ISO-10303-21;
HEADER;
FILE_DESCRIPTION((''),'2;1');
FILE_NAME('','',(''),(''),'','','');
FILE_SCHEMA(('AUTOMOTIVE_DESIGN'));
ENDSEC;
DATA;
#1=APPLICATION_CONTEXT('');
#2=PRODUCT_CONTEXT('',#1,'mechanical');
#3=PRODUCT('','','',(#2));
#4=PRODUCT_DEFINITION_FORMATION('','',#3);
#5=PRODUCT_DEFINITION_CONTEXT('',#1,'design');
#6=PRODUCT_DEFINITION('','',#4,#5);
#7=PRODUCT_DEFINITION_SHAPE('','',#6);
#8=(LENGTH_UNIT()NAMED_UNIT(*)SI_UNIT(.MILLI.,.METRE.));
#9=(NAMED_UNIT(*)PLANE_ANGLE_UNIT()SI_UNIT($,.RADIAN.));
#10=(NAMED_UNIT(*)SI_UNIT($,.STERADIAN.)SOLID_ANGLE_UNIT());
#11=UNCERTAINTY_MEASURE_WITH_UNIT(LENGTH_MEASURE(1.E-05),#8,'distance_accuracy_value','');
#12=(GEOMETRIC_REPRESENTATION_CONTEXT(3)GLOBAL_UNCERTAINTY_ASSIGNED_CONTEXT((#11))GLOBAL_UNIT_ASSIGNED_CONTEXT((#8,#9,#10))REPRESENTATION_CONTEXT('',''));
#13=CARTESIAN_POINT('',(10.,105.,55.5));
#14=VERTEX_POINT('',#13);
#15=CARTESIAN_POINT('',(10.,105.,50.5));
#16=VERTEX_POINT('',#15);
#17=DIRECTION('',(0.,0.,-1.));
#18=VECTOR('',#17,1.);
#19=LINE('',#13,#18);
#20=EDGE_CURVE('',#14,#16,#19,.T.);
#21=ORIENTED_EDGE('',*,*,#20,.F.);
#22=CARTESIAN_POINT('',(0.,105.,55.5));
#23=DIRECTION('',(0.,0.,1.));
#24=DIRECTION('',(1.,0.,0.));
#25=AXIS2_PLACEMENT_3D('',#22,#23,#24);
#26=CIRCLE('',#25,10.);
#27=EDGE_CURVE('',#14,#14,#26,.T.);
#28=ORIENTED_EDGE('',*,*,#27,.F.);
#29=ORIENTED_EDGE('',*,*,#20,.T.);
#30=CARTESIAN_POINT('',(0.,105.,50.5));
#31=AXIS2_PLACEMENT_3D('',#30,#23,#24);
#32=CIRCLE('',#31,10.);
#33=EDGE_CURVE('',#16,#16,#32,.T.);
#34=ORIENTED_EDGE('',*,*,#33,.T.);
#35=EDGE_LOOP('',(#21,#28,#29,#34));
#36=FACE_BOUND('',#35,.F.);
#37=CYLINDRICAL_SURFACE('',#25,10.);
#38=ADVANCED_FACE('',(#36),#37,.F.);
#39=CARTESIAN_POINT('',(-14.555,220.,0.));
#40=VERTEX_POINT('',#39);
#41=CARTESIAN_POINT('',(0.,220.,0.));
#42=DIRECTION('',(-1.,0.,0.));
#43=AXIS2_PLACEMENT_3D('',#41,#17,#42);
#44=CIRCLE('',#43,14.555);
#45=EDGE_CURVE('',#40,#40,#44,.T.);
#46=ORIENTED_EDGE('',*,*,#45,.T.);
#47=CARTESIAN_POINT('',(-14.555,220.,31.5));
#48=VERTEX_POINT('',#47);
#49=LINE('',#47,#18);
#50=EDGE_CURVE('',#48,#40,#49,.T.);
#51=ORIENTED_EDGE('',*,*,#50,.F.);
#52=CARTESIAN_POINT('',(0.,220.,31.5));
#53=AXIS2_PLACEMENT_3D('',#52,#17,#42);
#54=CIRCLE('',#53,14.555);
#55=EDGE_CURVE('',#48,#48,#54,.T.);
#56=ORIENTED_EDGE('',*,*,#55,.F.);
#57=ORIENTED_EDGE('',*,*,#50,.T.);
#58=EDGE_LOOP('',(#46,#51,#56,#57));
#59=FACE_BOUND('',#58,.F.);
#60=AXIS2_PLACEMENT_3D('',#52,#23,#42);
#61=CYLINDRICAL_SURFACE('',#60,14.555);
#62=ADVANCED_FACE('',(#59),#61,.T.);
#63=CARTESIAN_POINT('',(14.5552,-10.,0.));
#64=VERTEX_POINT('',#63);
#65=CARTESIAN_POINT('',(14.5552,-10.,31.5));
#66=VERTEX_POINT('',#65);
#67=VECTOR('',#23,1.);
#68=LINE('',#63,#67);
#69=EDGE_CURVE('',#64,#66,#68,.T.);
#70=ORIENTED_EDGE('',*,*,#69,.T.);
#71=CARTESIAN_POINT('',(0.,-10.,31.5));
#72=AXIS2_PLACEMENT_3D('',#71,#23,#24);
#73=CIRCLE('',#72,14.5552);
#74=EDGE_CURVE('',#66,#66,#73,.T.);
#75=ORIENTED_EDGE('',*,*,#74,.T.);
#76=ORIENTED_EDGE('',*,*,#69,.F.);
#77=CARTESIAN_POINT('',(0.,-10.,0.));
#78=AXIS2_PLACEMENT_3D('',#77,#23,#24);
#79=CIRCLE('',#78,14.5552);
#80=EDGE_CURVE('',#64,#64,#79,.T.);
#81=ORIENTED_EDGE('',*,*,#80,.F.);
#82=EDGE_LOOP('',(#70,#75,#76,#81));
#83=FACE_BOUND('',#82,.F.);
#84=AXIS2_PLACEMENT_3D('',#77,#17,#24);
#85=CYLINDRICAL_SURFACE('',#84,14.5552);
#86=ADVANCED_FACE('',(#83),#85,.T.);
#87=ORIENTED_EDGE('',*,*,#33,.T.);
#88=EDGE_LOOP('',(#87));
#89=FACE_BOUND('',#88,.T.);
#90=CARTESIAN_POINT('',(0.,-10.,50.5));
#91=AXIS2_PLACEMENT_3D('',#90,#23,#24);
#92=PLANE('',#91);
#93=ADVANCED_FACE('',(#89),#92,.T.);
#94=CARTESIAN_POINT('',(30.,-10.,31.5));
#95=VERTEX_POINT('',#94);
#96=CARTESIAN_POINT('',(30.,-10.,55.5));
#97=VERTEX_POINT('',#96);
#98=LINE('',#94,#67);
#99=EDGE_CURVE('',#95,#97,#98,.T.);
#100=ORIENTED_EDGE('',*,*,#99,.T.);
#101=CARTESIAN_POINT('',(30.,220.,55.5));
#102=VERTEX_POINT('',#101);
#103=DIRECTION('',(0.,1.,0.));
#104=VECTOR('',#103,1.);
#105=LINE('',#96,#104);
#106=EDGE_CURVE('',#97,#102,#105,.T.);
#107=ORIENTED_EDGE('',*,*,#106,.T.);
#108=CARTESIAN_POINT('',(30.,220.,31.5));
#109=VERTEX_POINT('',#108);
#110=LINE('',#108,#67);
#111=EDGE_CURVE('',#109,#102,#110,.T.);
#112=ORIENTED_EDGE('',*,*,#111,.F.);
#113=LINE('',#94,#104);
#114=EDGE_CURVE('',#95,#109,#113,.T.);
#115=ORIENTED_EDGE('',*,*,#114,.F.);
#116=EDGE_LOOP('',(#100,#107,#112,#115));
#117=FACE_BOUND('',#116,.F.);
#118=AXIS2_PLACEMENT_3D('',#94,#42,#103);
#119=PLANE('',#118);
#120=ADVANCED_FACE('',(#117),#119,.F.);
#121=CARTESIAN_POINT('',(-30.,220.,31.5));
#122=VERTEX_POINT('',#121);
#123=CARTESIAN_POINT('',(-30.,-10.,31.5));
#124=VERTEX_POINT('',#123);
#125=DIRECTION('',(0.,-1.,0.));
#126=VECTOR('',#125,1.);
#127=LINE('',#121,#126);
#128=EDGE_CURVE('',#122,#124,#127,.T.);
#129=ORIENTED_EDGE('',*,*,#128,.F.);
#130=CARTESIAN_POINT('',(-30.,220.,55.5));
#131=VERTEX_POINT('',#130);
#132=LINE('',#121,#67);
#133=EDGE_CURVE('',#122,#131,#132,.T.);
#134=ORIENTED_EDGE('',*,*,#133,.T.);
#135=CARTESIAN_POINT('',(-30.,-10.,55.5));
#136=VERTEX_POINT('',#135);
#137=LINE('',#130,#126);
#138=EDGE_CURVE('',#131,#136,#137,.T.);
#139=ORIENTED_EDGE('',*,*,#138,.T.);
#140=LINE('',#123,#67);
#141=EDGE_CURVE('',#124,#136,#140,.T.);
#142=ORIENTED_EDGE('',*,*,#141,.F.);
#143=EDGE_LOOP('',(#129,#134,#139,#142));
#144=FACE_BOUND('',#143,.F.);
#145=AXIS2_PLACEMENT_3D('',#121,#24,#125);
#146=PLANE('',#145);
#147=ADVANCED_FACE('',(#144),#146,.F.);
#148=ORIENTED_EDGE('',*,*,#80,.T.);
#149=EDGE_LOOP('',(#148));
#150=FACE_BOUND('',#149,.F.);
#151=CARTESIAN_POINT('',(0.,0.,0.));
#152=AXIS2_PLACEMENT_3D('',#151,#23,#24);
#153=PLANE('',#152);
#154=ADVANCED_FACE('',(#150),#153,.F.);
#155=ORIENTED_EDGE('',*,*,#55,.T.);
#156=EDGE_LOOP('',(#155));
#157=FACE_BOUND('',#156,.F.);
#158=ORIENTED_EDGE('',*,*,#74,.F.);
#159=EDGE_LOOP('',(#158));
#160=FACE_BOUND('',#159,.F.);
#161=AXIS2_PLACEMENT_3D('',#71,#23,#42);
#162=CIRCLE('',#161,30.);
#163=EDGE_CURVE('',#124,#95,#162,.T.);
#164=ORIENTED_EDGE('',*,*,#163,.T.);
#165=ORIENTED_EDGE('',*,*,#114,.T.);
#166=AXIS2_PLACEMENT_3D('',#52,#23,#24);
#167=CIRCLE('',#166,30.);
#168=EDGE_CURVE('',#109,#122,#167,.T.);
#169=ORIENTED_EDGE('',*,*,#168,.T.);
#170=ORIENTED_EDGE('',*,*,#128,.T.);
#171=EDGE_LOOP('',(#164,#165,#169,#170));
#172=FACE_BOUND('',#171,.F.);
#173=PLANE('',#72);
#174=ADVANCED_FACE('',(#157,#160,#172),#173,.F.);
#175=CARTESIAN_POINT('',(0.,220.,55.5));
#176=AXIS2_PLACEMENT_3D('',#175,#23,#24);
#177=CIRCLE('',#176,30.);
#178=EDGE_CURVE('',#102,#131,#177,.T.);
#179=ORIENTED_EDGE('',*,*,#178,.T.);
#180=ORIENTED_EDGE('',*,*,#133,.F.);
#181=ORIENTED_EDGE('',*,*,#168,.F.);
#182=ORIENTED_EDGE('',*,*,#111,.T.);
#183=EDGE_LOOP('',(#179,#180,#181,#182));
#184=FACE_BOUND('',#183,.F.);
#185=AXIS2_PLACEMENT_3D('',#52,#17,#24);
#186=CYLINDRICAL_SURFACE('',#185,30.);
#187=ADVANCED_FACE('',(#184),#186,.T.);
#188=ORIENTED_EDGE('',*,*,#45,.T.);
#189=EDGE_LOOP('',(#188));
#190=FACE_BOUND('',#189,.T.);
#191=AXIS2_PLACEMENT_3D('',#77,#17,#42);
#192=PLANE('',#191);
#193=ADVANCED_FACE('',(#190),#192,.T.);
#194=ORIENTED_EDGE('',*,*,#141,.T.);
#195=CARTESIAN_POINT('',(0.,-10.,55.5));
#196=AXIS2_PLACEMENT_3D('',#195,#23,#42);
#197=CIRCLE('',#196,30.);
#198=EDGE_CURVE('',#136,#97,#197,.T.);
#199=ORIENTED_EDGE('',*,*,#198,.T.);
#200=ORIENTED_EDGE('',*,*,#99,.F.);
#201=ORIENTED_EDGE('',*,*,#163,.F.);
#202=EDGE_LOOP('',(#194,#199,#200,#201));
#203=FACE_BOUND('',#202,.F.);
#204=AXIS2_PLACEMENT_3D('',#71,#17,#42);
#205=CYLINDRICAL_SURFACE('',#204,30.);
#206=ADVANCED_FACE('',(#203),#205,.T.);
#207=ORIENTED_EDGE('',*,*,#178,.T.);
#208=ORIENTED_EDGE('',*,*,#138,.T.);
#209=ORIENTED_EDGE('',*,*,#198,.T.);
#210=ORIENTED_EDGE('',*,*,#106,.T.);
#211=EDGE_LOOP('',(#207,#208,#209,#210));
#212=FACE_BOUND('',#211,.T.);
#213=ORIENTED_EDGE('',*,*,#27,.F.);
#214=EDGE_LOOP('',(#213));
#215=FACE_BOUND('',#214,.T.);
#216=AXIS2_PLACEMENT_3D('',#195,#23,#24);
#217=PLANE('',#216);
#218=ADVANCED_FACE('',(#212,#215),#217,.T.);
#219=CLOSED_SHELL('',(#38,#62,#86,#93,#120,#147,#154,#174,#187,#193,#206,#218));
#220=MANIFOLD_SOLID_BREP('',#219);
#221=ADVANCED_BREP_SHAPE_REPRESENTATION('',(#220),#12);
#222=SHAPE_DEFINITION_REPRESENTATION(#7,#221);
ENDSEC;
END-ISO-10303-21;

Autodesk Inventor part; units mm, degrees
ref_plane "YZ Plane" through (0, 0, 0) normal (1, 0, 0) x (0, 1, 0)
ref_plane "XZ Plane" through (0, 0, 0) normal (0, 1, 0) x (-1, 0, 0)
ref_plane "XY Plane" through (0, 0, 0) normal (0, 0, 1) x (1, 0, 0)
sketch "Эскиз1" plane through (0, 0, 0) normal (0, 0, 1) x (1, 0, 0)
  circle A0 centre (0, -10) radius 9 projected
  circle A1 centre (0, -10) radius 14.5552
  point P0 (0, 0)
extrude "Выдавливание1" add sketch "Эскиз1" along normal blind 31.5 contours A0 | A1
sketch "Эскиз2" plane through (0, -10, 31.5) normal (0, 0, 1) x (1, 0, 0)
  line L0 (0, 0) -> (0, 230) construction
  line L1 (30, 0) -> (30, 230)
  line L2 (-30, 230) -> (-30, 0)
  arc A0 (-30, 0) -> (30, 0) centre (0, 0) ccw
  arc A1 (30, 230) -> (-30, 230) centre (0, 230) ccw
  circle A2 centre (0, 0) radius 14.5552 projected
  point P0 (0, 10)
  point P1 (0, 115)
  dimension "d4" = 230
  dimension "d5" = 30
extrude "Выдавливание2" add sketch "Эскиз2" along normal blind 24 contours A0 L2 A1 L1 | A2
sketch "Эскиз3" plane through (0, -10, 31.5) normal (0, 0, -1) x (-1, 0, 0)
  circle A0 centre (0, 230) radius 14.555
  arc A1 (30, 230) -> (-30, 230) centre (0, 230) ccw projected
  point P0 (0, 10)
  dimension "d6" = 29.11
extrude "Выдавливание3" add sketch "Эскиз3" along normal up to surface (31.5 mm away)
sketch "Эскиз4" plane through (0, -10, 55.5) normal (0, 0, 1) x (1, 0, 0)
  arc A0 (30, 230) -> (-30, 230) centre (0, 230) ccw projected
  line L0 (-30, 230) -> (-30, 0) projected
  arc A1 (-30, 0) -> (30, 0) centre (0, 0) ccw projected
  line L1 (30, 0) -> (30, 230) projected
  circle A2 centre (0, 115) radius 10
  point P0 (0, 10)
  dimension "d9" = 20
extrude "Выдавливание4" cut sketch "Эскиз4" against normal blind 5 contours A2
properties part number "Колено"
